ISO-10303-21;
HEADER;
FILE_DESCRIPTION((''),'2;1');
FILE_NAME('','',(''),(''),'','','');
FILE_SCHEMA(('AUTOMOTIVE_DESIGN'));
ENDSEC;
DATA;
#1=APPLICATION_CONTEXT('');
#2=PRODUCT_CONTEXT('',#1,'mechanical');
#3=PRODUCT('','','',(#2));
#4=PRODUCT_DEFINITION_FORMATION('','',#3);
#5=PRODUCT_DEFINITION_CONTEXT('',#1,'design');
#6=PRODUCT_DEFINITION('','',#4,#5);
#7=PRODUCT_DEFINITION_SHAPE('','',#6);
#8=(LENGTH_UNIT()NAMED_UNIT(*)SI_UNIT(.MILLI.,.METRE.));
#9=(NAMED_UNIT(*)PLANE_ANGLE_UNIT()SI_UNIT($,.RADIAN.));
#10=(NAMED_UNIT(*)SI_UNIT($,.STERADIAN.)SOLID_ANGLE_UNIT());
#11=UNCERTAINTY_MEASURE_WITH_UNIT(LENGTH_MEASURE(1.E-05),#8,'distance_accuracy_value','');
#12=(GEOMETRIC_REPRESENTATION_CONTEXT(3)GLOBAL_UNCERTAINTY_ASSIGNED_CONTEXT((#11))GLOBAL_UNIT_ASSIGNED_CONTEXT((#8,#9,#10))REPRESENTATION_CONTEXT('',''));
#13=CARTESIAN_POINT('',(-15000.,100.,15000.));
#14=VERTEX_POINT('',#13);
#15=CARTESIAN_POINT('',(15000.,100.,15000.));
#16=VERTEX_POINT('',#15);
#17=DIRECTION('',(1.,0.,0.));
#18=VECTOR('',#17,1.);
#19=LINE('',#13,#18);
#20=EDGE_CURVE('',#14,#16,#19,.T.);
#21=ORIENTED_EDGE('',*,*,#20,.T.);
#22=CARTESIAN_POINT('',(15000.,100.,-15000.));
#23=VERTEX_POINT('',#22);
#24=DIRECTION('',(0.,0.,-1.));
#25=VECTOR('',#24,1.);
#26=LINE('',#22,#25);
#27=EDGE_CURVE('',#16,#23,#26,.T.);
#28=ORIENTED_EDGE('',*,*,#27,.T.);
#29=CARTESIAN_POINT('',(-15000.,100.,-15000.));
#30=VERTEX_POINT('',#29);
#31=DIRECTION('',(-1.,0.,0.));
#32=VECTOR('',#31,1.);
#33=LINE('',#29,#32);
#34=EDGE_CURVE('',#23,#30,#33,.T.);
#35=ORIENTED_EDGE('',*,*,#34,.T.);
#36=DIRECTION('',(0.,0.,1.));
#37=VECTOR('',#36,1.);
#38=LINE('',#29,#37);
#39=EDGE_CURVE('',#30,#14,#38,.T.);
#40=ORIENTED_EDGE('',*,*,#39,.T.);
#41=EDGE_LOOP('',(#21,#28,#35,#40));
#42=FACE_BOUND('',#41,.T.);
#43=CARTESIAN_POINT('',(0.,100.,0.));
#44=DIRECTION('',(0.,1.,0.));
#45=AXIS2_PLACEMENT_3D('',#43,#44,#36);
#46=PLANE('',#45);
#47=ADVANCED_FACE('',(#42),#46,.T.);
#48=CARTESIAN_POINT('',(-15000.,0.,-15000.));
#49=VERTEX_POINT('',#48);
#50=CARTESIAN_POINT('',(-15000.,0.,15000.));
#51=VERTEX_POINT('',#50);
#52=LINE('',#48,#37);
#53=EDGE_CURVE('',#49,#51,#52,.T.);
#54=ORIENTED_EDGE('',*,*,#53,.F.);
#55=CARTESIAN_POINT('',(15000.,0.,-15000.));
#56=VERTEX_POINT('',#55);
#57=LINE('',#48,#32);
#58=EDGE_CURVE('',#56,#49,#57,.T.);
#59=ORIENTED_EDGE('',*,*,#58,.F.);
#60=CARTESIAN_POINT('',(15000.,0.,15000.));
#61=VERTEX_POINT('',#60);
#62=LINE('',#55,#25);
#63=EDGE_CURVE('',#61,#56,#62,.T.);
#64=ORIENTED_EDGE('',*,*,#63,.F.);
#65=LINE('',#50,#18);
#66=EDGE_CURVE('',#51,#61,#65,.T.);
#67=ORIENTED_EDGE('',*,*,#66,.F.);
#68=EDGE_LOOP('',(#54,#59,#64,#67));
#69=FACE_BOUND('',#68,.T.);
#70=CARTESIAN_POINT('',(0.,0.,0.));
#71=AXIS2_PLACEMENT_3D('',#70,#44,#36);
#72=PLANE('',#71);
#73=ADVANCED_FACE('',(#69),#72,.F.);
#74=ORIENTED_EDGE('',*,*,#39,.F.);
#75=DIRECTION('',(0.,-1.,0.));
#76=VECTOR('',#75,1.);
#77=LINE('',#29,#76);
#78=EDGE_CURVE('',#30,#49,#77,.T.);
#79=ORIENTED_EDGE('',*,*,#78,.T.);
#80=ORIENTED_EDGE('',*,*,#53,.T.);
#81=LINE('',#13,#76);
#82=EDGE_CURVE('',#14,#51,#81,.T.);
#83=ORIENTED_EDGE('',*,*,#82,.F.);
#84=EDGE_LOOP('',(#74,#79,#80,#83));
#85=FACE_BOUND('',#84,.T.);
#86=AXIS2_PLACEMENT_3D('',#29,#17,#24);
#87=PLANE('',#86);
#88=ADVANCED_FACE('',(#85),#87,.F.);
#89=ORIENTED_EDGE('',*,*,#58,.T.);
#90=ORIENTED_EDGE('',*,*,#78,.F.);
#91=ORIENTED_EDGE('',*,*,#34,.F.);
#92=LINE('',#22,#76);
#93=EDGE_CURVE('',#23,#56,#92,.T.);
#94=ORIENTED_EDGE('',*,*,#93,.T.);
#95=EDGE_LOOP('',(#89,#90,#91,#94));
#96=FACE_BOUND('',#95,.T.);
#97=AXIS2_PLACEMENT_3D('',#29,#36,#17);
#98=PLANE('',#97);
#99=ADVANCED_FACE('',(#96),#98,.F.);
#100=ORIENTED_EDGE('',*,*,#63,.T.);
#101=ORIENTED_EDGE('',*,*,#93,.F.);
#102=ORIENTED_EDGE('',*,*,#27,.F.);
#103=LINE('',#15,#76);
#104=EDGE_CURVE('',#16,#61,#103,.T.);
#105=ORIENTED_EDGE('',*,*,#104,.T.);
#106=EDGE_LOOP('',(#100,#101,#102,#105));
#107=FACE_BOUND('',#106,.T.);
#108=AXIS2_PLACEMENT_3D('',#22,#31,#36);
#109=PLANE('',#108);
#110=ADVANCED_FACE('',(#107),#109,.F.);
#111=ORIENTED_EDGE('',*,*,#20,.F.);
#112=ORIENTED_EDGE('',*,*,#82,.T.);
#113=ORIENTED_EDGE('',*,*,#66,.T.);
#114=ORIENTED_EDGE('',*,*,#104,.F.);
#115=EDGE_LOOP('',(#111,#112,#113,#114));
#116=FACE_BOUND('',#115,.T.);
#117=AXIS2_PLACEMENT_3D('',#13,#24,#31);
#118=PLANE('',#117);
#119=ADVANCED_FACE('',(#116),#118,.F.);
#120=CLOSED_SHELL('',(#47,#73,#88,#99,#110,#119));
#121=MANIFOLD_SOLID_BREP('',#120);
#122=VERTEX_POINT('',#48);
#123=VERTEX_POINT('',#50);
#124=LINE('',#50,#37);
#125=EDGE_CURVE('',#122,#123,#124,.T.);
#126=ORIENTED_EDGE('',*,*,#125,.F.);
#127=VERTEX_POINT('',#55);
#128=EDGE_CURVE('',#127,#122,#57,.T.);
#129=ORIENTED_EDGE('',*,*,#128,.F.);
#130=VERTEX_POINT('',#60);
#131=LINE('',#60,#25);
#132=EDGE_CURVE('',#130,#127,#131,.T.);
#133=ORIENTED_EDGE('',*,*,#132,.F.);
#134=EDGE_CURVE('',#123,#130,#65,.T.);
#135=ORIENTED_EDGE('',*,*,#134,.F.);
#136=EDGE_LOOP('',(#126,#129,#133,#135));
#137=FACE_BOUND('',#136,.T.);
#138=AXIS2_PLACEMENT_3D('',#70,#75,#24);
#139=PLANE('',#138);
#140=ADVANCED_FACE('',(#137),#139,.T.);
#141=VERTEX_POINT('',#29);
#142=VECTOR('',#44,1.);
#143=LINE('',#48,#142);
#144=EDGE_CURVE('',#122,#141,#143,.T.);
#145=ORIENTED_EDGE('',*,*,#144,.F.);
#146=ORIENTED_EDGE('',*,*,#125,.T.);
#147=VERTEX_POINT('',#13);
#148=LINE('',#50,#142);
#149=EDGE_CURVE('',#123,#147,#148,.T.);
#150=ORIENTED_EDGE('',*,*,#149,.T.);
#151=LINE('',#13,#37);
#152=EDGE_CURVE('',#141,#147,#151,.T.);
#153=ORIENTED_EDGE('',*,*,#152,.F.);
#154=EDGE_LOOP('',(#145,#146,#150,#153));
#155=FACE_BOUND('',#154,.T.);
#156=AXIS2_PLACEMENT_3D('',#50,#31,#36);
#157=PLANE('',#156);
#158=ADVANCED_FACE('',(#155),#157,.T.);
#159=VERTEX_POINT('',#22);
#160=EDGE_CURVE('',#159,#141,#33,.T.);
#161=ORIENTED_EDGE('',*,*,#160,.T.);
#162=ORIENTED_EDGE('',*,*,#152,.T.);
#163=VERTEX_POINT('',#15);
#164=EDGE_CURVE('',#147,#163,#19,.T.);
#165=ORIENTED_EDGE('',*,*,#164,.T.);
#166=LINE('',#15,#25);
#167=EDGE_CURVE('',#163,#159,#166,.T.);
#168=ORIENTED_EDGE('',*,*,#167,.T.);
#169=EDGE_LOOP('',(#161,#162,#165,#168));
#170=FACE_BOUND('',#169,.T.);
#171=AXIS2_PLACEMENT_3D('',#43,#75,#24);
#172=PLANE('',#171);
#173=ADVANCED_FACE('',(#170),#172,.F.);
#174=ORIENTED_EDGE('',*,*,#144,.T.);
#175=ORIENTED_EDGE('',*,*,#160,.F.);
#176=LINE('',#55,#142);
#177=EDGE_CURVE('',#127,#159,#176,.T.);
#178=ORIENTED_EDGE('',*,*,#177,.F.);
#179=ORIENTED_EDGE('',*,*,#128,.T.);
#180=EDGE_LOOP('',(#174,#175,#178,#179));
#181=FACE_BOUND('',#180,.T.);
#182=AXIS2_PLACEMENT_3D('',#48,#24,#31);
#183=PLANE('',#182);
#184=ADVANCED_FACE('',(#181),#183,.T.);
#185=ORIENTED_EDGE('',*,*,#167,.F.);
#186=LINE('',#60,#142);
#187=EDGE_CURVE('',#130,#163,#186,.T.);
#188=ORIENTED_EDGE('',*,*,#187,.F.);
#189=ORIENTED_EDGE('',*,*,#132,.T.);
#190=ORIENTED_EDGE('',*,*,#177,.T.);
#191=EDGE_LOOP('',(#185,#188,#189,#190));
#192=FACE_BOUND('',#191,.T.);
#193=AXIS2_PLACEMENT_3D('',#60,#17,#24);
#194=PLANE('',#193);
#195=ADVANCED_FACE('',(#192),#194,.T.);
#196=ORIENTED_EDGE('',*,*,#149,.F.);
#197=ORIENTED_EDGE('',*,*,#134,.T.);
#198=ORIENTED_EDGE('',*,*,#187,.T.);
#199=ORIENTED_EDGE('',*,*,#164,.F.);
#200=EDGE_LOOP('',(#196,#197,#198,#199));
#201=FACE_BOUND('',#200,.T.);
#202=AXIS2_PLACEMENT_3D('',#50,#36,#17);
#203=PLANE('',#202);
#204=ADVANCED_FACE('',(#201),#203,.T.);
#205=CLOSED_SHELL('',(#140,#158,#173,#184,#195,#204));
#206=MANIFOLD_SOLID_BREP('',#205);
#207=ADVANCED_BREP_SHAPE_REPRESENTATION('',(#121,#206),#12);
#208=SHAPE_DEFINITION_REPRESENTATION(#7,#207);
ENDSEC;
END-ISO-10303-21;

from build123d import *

# Parameters (mm, degrees)
SKETCH1_W           = 30000
SKETCH1_H           = 30000
BOSS_EXTRUDE1_DEPTH = 100
SKETCH2_W           = 30000
SKETCH2_H           = 30000
BOSS_EXTRUDE2_DEPTH = 100


with BuildPart() as part:
    # Sketch1 → Boss-Extrude1 (new body)
    with BuildSketch(Plane(origin=(0, 0, 0), x_dir=(1, 0, 0), z_dir=(0, 1, 0))):
        Rectangle(SKETCH1_W, SKETCH1_H)
    extrude(amount=BOSS_EXTRUDE1_DEPTH)


with BuildPart() as body_2:
    # Sketch2 → Boss-Extrude2 (new body)
    with BuildSketch(Plane(origin=(0, 100, 0), x_dir=(1, 0, 0), z_dir=(0, 1, 0))):
        Rectangle(SKETCH2_W, SKETCH2_H)
    extrude(amount=-BOSS_EXTRUDE2_DEPTH)


solid = Compound([part.part, body_2.part])
